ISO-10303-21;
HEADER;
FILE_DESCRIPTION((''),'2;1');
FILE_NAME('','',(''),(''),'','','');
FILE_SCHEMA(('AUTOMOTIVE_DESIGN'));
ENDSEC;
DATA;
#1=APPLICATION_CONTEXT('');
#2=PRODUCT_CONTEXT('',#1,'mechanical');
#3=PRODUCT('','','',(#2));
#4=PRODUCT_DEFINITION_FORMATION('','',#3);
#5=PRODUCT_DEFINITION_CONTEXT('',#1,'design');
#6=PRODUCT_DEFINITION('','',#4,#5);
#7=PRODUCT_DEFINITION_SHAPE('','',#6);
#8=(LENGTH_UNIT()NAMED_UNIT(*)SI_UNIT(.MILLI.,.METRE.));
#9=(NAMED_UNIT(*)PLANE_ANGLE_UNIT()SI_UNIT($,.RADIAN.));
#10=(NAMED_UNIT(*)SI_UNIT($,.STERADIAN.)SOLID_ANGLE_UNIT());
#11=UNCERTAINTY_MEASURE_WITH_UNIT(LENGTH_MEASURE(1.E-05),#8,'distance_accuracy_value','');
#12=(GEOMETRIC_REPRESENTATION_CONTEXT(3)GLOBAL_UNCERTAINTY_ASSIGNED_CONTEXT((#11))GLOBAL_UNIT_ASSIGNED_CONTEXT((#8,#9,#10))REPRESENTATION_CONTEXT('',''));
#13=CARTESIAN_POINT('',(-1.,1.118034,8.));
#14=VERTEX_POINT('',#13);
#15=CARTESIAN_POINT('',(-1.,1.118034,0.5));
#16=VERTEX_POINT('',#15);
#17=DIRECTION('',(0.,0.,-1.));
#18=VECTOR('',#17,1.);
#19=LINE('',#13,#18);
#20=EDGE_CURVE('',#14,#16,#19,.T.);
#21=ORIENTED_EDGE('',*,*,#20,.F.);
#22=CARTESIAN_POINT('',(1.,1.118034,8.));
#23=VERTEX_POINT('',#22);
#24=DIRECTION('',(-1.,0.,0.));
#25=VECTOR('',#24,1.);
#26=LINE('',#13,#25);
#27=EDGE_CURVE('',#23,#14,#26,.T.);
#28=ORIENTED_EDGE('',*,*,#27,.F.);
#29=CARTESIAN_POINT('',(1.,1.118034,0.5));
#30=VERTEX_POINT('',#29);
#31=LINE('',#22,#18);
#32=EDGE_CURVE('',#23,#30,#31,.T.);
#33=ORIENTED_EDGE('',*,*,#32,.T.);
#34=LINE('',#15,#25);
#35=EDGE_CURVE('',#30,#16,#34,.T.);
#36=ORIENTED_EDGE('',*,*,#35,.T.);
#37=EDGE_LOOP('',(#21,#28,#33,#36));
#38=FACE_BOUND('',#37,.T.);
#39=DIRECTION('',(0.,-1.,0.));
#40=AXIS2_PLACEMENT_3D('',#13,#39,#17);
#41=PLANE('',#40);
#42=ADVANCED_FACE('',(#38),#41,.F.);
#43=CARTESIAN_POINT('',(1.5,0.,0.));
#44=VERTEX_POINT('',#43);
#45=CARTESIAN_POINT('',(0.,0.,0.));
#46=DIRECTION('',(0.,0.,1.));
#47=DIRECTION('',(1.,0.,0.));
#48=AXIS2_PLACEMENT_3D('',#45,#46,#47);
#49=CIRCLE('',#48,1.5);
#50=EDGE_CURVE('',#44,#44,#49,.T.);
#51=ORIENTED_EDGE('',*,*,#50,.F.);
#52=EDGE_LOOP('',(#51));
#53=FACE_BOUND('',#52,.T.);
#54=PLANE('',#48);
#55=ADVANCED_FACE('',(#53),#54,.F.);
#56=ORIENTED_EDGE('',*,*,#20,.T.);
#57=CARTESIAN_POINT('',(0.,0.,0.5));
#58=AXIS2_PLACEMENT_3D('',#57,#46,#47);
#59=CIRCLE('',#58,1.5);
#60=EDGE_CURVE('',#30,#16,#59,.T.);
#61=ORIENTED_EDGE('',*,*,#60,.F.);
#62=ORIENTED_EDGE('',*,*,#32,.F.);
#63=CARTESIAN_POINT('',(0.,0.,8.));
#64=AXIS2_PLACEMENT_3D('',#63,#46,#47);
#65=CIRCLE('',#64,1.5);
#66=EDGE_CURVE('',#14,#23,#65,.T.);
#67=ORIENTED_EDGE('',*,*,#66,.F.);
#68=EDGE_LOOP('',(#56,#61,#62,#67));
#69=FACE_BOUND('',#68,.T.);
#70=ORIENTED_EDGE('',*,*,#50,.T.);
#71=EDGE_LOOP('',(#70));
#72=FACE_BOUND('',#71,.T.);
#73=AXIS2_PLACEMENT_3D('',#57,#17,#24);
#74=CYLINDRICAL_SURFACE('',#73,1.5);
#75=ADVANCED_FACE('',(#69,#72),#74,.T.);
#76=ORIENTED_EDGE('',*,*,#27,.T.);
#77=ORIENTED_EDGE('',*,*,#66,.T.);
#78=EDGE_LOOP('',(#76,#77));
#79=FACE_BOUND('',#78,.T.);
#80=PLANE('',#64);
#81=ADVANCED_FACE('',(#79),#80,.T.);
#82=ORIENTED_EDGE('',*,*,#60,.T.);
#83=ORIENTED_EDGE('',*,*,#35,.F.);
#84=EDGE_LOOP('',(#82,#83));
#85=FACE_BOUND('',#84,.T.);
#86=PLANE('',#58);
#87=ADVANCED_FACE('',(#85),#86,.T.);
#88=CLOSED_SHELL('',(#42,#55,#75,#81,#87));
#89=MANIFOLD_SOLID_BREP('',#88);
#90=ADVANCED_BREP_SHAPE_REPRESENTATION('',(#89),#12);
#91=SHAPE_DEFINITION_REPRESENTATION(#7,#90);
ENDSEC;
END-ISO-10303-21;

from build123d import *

# Parameters (mm, degrees)
SKETCH_1_R      = 1.5
EXTRUDE_1_DEPTH = 0.5
EXTRUDE_2_DEPTH = 7.5


with BuildPart() as part:
    # 草图1 → 凸台-拉伸1 (new body)
    with BuildSketch(Plane.XY):
        Circle(SKETCH_1_R)
    extrude(amount=EXTRUDE_1_DEPTH)

    # 草图2 → 凸台-拉伸2 (add)
    with BuildSketch(Plane.XY.offset(0.5)):
        with BuildLine():
            Line((-1, 1.118033989), (1, 1.118033989))
            ThreePointArc((1, 1.118033989), (0, -1.5), (-1, 1.118033989))
        make_face()
    extrude(amount=EXTRUDE_2_DEPTH)


solid = part.part
